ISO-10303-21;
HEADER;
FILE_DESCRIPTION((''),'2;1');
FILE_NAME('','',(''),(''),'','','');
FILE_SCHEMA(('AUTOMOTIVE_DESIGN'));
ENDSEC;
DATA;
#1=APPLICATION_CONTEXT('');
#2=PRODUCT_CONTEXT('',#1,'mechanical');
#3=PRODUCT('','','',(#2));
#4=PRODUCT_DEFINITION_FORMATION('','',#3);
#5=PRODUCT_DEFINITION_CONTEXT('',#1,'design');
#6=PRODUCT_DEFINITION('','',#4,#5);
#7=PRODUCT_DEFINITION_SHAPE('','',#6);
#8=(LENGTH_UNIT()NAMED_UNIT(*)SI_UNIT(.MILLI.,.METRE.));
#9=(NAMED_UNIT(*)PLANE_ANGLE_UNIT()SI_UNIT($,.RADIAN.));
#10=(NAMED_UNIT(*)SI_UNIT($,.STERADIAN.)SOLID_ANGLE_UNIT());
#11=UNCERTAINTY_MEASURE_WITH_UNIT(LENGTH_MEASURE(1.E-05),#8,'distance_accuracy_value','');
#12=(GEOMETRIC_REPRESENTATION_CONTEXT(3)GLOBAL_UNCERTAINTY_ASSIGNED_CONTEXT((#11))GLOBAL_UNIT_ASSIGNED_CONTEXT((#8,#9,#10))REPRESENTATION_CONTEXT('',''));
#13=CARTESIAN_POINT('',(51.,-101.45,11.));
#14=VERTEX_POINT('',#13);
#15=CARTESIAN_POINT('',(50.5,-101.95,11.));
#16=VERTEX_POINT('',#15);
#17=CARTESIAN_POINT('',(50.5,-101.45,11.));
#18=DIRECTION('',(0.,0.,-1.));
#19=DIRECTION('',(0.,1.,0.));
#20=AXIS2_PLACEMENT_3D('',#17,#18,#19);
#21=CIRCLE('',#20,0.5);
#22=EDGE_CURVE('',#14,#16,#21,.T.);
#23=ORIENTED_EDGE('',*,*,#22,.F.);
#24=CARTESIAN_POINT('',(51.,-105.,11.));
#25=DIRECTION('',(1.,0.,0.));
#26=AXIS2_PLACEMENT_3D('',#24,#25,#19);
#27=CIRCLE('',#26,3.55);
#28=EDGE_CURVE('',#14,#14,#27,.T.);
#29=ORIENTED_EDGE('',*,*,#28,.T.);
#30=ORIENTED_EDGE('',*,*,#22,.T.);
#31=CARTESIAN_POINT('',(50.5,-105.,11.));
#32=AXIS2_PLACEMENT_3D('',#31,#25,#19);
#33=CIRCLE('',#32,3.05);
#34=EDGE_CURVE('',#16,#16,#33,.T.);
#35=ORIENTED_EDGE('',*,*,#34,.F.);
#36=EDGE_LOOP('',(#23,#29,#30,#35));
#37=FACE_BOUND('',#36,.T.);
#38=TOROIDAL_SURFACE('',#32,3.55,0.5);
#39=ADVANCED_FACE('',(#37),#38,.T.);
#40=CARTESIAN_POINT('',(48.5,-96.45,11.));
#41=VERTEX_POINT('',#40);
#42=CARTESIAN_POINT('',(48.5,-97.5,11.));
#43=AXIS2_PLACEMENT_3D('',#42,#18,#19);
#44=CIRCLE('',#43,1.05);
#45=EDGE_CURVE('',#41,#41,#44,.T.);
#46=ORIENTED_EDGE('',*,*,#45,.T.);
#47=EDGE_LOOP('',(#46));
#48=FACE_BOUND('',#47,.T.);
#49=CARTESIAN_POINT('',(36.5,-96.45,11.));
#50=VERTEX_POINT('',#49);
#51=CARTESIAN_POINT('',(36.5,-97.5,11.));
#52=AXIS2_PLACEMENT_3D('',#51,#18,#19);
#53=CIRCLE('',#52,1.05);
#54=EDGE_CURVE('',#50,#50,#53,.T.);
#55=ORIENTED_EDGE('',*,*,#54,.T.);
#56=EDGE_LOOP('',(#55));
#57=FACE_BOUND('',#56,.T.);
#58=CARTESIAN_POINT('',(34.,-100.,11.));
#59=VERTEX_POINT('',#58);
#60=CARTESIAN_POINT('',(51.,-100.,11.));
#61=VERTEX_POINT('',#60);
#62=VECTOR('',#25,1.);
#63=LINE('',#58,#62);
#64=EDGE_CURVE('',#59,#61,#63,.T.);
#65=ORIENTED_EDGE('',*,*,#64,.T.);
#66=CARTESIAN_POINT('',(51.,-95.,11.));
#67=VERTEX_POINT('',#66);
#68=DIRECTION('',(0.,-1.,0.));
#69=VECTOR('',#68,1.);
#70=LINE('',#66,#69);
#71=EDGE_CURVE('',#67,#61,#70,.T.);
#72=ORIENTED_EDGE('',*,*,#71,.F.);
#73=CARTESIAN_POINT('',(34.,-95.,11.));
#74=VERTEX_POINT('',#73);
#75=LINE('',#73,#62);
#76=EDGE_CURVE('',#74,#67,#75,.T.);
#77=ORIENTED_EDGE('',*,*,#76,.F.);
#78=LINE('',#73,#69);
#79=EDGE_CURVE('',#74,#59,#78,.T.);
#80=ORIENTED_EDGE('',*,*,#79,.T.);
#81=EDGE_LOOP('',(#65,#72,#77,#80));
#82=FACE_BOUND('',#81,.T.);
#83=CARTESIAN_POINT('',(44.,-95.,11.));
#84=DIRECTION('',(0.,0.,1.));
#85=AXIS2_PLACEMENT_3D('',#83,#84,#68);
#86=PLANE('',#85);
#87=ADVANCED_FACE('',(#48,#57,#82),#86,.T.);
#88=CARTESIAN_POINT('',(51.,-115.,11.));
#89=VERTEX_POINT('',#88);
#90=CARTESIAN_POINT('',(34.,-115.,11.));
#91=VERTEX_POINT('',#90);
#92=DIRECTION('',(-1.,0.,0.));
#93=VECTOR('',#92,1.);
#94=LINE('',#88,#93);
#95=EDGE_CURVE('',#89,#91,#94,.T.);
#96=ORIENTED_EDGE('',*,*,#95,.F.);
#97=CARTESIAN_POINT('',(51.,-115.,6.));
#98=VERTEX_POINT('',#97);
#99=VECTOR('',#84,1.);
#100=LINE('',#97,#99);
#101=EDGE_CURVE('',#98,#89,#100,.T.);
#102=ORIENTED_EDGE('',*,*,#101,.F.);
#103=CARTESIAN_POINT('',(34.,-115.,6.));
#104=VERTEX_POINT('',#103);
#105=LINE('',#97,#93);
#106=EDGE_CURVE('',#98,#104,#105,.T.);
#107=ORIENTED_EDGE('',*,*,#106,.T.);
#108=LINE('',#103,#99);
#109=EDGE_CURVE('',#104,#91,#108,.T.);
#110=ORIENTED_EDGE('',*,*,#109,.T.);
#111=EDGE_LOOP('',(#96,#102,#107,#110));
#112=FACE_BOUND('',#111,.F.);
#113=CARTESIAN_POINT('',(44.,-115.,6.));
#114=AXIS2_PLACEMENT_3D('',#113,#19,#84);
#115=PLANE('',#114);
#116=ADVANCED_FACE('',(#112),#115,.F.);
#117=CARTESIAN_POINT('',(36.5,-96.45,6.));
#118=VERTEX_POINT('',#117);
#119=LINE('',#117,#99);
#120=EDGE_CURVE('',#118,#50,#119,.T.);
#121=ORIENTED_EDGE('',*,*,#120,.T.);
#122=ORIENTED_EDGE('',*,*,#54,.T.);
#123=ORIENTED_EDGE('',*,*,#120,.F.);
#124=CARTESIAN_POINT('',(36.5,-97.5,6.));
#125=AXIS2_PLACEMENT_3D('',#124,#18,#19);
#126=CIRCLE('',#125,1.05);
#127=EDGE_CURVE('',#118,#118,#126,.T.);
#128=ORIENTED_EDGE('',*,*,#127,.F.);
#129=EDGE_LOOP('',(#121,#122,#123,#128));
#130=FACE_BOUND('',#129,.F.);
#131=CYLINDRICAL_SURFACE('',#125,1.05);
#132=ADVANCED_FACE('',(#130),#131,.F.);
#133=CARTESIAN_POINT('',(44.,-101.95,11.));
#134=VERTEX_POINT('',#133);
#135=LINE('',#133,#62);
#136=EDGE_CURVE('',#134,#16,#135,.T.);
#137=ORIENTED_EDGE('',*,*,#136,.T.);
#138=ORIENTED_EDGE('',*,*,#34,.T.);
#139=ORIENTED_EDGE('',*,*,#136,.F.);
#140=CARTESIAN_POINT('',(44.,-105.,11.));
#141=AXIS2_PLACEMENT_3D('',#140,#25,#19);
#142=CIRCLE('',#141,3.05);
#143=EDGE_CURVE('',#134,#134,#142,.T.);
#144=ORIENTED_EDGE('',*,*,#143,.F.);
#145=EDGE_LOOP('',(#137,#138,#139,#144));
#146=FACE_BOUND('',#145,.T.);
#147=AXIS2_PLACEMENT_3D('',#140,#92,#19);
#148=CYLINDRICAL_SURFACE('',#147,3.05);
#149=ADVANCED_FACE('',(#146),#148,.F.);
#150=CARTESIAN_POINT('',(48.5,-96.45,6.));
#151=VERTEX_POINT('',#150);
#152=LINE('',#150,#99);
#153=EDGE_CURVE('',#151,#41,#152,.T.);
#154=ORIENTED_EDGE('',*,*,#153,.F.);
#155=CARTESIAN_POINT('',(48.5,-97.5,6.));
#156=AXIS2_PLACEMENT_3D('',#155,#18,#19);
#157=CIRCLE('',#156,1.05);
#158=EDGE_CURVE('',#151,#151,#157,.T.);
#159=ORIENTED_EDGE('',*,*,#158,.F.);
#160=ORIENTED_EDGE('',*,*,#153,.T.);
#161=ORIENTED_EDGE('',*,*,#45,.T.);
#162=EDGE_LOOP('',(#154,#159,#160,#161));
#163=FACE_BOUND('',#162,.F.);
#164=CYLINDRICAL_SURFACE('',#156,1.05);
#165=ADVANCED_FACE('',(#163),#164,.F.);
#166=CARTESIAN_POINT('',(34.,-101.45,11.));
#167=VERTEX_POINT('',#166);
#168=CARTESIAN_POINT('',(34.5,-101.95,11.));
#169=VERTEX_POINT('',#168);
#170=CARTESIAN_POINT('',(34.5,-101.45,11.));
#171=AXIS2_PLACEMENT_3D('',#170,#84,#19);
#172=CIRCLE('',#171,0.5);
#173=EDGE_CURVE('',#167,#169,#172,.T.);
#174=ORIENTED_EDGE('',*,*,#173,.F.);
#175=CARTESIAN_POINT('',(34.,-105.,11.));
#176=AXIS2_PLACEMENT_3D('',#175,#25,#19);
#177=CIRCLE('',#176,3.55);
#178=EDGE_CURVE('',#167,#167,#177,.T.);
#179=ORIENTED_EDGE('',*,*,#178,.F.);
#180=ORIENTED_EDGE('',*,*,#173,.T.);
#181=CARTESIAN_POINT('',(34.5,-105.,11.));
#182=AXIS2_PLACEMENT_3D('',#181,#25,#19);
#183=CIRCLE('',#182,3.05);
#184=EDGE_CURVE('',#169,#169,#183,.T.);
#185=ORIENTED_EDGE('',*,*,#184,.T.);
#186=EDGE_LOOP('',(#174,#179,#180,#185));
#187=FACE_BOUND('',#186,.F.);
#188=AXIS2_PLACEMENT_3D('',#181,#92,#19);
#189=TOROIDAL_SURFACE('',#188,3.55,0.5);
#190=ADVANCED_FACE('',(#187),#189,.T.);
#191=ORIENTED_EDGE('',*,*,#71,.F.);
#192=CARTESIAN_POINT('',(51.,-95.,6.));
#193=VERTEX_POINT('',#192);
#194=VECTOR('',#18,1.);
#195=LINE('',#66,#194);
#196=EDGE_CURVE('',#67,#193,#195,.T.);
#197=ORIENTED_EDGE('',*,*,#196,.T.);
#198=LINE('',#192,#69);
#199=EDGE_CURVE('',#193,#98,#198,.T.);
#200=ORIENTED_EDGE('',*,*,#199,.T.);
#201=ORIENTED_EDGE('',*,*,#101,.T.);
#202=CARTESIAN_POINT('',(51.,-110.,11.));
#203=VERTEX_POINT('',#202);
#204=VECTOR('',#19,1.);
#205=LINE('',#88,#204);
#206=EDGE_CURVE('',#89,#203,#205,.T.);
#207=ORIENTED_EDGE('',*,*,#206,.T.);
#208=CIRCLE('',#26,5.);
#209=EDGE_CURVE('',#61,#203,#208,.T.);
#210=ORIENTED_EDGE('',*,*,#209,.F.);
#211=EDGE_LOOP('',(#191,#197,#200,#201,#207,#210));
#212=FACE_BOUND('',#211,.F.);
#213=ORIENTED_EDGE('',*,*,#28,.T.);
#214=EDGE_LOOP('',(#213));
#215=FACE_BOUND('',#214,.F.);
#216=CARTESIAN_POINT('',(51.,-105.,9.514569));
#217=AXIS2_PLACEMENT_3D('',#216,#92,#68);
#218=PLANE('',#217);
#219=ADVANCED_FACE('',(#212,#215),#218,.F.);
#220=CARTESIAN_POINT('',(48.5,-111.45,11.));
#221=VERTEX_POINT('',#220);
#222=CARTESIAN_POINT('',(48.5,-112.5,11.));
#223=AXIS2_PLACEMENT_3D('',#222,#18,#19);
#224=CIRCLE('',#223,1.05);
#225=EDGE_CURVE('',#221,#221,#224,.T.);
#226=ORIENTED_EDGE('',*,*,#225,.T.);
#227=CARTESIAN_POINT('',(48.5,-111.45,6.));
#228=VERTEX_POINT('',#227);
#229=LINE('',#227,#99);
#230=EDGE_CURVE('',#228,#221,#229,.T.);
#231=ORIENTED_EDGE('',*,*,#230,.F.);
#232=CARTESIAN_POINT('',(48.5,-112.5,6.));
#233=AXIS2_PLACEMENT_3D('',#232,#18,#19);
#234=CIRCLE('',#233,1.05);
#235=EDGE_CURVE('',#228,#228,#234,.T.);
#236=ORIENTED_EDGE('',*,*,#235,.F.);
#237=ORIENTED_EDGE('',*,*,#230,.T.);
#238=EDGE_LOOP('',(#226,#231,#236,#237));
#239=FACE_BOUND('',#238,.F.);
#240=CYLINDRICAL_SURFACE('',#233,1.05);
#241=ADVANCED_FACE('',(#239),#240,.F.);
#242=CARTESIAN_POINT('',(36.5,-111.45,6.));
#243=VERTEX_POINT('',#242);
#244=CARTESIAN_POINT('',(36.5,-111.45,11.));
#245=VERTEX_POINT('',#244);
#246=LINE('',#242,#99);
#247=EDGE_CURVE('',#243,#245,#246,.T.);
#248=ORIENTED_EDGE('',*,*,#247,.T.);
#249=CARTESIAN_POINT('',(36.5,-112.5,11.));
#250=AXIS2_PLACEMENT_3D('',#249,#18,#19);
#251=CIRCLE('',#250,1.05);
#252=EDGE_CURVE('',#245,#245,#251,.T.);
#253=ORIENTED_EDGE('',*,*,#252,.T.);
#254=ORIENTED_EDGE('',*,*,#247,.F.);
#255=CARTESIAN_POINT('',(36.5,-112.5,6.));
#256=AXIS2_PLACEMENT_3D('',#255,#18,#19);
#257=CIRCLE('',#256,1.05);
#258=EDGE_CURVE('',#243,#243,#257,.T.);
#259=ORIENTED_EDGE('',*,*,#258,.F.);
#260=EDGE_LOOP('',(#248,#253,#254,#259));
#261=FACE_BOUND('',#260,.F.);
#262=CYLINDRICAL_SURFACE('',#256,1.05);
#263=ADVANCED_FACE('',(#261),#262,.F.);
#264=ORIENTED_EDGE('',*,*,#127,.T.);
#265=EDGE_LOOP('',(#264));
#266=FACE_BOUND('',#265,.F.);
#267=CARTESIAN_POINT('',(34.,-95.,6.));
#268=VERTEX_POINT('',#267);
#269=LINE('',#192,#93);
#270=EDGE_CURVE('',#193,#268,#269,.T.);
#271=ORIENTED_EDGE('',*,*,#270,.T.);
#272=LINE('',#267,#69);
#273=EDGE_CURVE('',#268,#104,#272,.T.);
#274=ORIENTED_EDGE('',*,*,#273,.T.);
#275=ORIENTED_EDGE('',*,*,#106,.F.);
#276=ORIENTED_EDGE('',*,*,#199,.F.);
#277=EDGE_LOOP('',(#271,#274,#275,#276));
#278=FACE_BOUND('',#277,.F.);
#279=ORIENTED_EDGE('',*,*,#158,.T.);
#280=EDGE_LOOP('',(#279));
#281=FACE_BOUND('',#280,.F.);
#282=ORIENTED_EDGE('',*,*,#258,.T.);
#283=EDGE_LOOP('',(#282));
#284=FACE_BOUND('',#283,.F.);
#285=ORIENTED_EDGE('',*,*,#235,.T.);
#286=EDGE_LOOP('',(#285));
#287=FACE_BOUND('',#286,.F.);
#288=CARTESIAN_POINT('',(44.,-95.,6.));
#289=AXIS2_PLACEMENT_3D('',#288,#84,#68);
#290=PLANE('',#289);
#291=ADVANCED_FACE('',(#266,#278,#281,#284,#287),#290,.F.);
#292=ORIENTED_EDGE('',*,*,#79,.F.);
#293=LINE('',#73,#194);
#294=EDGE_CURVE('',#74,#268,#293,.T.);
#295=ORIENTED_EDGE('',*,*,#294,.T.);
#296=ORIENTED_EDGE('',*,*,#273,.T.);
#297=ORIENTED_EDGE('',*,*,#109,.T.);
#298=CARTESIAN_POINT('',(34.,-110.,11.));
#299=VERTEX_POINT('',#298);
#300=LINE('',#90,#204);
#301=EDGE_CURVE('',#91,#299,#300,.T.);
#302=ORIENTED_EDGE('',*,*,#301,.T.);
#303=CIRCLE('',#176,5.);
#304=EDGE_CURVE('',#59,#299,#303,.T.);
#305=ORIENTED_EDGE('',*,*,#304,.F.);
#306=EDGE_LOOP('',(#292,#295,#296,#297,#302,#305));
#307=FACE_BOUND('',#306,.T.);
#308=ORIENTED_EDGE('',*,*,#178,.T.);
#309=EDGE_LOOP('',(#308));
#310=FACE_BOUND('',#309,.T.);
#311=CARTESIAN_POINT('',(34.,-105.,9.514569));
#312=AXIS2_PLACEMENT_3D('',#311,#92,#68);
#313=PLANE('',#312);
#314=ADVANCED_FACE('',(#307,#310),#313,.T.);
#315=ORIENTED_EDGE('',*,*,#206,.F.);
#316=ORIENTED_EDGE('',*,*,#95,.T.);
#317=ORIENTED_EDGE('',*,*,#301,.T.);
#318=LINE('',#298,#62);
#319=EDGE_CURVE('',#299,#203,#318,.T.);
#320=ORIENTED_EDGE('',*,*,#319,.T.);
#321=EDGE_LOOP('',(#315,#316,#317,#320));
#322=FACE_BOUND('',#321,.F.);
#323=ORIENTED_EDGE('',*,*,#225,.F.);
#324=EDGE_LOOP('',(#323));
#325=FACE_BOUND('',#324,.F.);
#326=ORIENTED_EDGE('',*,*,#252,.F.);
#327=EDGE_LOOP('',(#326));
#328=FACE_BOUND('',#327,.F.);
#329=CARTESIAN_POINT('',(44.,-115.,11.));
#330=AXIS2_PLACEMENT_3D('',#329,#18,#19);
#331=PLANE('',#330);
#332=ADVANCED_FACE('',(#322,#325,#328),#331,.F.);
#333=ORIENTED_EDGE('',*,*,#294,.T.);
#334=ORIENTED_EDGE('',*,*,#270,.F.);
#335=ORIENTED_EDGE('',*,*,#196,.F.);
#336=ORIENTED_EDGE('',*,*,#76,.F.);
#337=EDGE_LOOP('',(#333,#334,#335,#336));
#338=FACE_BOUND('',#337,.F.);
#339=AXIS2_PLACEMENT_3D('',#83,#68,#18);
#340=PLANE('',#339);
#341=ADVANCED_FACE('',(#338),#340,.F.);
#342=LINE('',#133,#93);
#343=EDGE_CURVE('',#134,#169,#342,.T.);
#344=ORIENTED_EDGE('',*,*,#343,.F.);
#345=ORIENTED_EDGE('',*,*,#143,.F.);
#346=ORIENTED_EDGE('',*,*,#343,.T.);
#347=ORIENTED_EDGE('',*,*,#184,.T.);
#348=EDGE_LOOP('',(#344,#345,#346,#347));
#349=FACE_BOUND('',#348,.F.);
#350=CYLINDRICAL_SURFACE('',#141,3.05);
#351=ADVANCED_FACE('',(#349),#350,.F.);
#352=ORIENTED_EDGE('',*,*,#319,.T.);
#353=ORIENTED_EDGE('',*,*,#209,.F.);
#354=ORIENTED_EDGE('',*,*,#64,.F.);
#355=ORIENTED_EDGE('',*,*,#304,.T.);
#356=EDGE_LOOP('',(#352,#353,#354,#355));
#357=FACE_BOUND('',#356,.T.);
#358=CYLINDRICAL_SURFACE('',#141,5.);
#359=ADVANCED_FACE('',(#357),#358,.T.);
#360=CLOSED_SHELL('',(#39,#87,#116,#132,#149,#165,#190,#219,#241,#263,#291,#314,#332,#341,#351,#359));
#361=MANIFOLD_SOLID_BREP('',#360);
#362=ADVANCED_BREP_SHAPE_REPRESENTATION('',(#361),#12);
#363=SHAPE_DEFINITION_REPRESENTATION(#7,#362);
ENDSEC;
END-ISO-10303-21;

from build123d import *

# Parameters (mm, degrees)
SKETCH_R                 = 3.05
PAD_DEPTH                = 7
PAD_DEPTH_BACK           = 10
SKETCH001_R              = 1.05
POCKET_DEPTH             = 5
FILLET_R                 = 0.5
CLONE001_PLACEMENT_ANGLE = 90


with BuildPart() as part:
    # Sketch → Pad (new body, two sides)
    with BuildSketch(Plane.XZ) as pad_sk:
        with BuildLine():
            Line((10, 0), (10, -5))
            Line((10, -5), (-10, -5))
            Line((-10, -5), (-10, 0))
            Line((-10, 0), (-5, 0))
            ThreePointArc((5, 0), (0, 5), (-5, 0))
            Line((10, 0), (5, 0))
        make_face()
        Circle(SKETCH_R, mode=Mode.SUBTRACT)
    extrude(amount=PAD_DEPTH)
    extrude(pad_sk.sketch, amount=-PAD_DEPTH_BACK)

    # Sketch001 → Pocket (cut)
    with BuildSketch(Plane(origin=(0, 0, -5), x_dir=(1, 0, 0), z_dir=(0, 0, -1))):
        with Locations((-7.5, 4.5)):
            Circle(SKETCH001_R)
        with Locations((-7.5, -7.5)):
            Circle(SKETCH001_R)
        with Locations((7.5, -7.5)):
            Circle(SKETCH001_R)
        with Locations((7.5, 4.5)):
            Circle(SKETCH001_R)
    extrude(amount=-POCKET_DEPTH, mode=Mode.SUBTRACT)

    # Fillet
    fillet_edges = [part.edges().sort_by_distance(p)[0] for p in [
        (-3.05, 10, 0),
        (-3.05, -7, 0),
    ]]
    fillet(fillet_edges, radius=FILLET_R)


with BuildPart() as part_1:
    # Clone001 placement: moved
    add(part.part.moved(Location((44, -105, 11))).rotate(Axis((44, -105, 11), (0, 0, 1)), CLONE001_PLACEMENT_ANGLE))


solid = part_1.part
